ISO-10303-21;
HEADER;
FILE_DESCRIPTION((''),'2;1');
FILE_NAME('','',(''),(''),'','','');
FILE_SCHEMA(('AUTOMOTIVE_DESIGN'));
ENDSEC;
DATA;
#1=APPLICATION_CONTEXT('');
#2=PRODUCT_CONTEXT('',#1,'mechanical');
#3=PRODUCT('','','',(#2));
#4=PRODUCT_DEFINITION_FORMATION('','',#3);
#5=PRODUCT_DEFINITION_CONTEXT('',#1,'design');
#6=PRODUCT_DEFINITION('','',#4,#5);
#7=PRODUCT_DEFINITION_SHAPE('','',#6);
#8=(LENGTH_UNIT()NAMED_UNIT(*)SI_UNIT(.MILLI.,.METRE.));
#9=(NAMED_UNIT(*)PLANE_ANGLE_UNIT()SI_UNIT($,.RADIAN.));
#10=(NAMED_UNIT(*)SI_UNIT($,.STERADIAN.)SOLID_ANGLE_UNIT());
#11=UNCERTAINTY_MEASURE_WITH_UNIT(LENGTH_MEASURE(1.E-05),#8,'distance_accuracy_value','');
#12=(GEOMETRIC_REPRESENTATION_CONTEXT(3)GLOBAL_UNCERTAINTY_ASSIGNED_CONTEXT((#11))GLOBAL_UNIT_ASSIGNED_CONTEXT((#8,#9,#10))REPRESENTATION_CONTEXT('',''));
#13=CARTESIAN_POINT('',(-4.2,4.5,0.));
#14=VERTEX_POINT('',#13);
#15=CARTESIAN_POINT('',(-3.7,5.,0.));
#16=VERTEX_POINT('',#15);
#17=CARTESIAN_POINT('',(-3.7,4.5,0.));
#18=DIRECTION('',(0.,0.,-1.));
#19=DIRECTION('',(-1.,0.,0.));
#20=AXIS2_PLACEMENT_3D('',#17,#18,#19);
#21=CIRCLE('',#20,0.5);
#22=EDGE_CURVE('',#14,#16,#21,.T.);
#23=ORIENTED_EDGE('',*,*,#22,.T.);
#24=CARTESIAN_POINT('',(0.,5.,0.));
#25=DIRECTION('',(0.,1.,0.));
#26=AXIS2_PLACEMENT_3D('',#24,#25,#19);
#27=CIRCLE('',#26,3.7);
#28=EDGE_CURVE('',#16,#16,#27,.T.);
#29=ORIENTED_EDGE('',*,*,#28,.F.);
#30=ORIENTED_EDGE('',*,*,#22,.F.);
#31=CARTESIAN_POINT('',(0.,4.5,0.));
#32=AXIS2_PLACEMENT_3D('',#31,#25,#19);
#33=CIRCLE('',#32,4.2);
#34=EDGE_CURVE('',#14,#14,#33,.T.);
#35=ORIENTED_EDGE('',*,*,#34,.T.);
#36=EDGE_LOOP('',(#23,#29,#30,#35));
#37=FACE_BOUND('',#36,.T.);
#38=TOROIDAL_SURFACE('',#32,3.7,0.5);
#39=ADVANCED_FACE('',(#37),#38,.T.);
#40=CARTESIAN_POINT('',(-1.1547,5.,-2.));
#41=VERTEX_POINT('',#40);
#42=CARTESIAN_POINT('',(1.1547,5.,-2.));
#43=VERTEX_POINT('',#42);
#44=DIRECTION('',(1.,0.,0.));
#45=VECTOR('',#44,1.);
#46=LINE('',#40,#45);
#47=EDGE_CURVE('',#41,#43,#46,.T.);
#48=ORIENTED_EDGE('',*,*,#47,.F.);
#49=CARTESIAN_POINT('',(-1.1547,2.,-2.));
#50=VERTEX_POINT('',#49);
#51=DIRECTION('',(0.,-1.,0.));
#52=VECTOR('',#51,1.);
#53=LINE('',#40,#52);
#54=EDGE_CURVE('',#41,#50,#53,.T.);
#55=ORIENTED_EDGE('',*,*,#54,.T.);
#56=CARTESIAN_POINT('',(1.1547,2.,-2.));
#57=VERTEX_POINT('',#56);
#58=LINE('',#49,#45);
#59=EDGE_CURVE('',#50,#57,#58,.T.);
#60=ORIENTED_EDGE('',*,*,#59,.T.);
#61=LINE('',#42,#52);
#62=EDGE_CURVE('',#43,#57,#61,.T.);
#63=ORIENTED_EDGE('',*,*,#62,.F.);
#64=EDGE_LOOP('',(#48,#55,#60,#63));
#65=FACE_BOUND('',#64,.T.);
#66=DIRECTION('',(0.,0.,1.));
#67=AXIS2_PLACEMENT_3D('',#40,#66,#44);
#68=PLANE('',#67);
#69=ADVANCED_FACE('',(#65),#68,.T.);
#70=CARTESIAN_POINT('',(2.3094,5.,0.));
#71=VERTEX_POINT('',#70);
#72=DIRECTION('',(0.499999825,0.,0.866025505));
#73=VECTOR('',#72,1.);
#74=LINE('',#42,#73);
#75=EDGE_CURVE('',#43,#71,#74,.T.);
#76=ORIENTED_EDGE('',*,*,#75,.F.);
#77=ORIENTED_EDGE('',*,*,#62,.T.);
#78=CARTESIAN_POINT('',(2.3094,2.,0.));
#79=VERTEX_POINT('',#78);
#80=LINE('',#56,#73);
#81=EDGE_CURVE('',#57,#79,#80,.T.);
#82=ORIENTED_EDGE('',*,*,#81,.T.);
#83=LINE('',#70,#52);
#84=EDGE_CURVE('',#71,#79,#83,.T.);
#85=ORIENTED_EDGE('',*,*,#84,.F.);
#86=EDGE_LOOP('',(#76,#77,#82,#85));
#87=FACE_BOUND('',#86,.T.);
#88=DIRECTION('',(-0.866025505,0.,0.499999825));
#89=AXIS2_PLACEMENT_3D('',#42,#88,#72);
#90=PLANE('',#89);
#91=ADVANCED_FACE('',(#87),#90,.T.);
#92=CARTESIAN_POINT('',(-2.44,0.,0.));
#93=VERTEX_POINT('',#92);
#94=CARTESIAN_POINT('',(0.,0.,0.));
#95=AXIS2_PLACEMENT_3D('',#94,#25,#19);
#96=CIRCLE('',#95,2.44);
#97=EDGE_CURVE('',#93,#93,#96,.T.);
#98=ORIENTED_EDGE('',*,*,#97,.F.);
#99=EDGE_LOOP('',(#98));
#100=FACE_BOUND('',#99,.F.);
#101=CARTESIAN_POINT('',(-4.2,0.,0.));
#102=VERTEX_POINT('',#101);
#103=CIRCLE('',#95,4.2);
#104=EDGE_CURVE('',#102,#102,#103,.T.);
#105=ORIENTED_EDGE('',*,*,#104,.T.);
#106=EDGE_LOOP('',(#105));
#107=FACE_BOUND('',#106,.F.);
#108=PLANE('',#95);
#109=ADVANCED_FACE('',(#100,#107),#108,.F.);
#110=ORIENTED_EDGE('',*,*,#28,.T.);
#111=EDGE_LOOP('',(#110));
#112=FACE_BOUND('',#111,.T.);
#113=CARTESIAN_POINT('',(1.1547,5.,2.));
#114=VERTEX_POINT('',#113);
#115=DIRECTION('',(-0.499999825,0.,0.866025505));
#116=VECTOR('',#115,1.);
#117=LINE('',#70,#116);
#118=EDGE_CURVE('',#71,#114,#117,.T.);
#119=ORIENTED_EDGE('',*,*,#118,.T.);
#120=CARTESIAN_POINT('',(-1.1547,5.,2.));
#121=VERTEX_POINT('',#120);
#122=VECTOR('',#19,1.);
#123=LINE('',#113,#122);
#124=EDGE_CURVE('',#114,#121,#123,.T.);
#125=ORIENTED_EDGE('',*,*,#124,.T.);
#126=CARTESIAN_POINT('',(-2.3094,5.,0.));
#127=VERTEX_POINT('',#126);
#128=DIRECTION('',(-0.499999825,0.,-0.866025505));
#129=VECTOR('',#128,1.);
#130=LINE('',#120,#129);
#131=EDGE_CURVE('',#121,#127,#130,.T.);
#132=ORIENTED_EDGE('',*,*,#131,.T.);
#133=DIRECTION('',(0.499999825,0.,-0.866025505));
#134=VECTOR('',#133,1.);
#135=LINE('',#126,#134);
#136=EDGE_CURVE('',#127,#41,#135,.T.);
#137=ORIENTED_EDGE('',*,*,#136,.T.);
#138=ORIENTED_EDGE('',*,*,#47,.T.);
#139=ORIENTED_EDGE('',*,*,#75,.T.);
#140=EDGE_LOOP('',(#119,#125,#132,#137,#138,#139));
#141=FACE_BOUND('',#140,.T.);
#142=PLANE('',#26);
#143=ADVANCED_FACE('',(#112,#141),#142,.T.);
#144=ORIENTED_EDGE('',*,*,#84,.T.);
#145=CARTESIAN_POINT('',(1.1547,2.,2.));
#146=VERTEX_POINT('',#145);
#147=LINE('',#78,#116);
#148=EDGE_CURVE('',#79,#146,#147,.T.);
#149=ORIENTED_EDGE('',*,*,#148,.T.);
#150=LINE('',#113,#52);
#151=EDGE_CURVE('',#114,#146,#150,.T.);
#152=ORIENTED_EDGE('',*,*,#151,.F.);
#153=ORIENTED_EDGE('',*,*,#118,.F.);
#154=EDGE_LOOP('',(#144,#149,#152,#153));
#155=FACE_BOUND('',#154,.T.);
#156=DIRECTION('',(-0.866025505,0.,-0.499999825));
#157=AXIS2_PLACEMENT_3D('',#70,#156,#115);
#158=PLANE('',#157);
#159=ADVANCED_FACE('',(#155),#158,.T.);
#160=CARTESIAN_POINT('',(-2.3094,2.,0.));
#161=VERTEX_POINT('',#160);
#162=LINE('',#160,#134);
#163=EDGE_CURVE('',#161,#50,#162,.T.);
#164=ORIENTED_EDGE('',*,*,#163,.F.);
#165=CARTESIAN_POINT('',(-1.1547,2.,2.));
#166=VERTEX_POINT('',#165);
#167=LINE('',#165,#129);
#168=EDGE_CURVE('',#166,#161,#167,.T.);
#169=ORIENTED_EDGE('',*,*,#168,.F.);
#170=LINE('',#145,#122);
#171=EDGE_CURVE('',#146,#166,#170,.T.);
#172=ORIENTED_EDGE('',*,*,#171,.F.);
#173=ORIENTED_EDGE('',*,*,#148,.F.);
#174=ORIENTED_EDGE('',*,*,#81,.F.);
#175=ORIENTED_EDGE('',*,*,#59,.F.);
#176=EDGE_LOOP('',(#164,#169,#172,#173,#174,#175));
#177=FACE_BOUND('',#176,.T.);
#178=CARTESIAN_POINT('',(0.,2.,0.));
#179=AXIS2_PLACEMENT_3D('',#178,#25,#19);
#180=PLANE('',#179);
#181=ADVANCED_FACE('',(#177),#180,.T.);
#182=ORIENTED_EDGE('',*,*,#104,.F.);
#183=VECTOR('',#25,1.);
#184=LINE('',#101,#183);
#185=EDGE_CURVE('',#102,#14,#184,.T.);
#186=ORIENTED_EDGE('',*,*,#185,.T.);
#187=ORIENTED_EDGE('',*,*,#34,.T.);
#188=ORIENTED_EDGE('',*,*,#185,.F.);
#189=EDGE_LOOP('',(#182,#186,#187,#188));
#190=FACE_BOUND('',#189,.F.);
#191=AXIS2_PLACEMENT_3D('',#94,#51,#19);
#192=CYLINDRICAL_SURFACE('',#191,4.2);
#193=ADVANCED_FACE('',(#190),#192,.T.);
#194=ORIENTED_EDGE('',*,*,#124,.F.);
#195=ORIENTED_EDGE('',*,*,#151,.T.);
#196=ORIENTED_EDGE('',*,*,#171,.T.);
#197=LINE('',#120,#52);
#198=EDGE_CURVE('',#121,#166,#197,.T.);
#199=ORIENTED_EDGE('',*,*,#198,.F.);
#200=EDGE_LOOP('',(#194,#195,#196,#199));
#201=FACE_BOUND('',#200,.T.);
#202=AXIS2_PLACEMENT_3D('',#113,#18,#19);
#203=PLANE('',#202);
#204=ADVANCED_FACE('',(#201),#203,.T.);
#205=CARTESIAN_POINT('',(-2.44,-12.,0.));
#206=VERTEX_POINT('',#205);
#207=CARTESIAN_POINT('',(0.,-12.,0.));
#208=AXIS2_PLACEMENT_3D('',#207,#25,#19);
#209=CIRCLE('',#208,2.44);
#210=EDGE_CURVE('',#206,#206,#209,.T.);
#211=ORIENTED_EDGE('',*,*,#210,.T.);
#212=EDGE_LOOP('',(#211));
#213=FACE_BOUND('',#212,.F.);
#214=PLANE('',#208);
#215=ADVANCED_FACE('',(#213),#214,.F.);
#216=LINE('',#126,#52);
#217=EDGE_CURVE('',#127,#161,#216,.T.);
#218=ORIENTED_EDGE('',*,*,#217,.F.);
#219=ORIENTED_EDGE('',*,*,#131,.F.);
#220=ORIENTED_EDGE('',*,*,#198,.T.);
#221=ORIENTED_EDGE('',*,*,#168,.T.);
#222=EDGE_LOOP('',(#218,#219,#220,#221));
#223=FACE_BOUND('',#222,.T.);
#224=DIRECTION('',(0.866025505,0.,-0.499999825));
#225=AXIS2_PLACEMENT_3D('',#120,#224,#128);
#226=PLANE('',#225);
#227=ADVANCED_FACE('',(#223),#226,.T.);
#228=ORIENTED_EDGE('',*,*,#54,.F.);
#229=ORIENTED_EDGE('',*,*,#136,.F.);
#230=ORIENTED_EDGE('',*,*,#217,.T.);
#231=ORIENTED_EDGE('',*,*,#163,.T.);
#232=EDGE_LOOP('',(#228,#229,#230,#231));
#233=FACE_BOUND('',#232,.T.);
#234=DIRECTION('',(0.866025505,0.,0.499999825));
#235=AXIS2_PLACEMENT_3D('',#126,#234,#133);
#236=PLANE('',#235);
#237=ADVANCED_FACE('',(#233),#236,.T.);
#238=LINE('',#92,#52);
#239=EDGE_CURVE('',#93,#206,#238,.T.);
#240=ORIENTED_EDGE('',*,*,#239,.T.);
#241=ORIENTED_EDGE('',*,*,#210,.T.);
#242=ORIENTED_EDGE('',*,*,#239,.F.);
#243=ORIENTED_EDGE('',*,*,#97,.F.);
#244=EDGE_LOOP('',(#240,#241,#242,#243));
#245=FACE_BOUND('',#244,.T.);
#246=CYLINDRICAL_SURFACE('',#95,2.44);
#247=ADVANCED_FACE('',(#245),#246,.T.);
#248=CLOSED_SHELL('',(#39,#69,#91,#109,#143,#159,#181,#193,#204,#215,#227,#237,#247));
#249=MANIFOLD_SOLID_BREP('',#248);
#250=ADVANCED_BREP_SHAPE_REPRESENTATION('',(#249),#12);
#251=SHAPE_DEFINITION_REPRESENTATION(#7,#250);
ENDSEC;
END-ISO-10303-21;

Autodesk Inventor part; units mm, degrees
ref_plane "YZ Plane" through (0, 0, 0) normal (1, 0, 0) x (0, 1, 0)
ref_plane "XZ Plane" through (0, 0, 0) normal (0, 1, 0) x (-1, 0, 0)
ref_plane "XY Plane" through (0, 0, 0) normal (0, 0, 1) x (1, 0, 0)
sketch "Sketch1" plane through (0, 0, 0) normal (0, 1, 0) x (-1, 0, 0)
  circle A0 centre (0, 0) radius 2.44
  circle A1 centre (0, 0) radius 4.2
  line L0 (1.1547, -2) -> (-1.1547, -2)
  line L1 (-1.1547, -2) -> (-2.3094, 0)
  line L2 (-2.3094, 0) -> (-1.1547, 2)
  line L3 (-1.1547, 2) -> (1.1547, 2)
  line L4 (1.1547, 2) -> (2.3094, 0)
  line L5 (2.3094, 0) -> (1.1547, -2)
  dimension "d0" = 4.88
  dimension "d1" = 8.4
  dimension "d8" = 4
extrude "Extrusion1" add sketch "Sketch1" along normal blind 5 contours A0 | A1 | L0 L1 L2 L3 L4 L5
extrude "Extrusion2" add sketch "Sketch1" against normal blind 12 contours A0 | L0 L1 L2 L3 L4 L5
extrude "Extrusion3" cut sketch "Sketch1" against normal blind 3 from surface at 5 contours L0 L1 L2 L3 L4 L5
fillet "Fillet1" radius 0.5 1 edges at (4.2, 5, 0)
thread "Thread2" size "M5x0.8" class "6g" standard "ANSI Metric M Profile" full length
equation "\"d4\" = length"
equation "\"length\" = 12"
properties part number "M5x12"
